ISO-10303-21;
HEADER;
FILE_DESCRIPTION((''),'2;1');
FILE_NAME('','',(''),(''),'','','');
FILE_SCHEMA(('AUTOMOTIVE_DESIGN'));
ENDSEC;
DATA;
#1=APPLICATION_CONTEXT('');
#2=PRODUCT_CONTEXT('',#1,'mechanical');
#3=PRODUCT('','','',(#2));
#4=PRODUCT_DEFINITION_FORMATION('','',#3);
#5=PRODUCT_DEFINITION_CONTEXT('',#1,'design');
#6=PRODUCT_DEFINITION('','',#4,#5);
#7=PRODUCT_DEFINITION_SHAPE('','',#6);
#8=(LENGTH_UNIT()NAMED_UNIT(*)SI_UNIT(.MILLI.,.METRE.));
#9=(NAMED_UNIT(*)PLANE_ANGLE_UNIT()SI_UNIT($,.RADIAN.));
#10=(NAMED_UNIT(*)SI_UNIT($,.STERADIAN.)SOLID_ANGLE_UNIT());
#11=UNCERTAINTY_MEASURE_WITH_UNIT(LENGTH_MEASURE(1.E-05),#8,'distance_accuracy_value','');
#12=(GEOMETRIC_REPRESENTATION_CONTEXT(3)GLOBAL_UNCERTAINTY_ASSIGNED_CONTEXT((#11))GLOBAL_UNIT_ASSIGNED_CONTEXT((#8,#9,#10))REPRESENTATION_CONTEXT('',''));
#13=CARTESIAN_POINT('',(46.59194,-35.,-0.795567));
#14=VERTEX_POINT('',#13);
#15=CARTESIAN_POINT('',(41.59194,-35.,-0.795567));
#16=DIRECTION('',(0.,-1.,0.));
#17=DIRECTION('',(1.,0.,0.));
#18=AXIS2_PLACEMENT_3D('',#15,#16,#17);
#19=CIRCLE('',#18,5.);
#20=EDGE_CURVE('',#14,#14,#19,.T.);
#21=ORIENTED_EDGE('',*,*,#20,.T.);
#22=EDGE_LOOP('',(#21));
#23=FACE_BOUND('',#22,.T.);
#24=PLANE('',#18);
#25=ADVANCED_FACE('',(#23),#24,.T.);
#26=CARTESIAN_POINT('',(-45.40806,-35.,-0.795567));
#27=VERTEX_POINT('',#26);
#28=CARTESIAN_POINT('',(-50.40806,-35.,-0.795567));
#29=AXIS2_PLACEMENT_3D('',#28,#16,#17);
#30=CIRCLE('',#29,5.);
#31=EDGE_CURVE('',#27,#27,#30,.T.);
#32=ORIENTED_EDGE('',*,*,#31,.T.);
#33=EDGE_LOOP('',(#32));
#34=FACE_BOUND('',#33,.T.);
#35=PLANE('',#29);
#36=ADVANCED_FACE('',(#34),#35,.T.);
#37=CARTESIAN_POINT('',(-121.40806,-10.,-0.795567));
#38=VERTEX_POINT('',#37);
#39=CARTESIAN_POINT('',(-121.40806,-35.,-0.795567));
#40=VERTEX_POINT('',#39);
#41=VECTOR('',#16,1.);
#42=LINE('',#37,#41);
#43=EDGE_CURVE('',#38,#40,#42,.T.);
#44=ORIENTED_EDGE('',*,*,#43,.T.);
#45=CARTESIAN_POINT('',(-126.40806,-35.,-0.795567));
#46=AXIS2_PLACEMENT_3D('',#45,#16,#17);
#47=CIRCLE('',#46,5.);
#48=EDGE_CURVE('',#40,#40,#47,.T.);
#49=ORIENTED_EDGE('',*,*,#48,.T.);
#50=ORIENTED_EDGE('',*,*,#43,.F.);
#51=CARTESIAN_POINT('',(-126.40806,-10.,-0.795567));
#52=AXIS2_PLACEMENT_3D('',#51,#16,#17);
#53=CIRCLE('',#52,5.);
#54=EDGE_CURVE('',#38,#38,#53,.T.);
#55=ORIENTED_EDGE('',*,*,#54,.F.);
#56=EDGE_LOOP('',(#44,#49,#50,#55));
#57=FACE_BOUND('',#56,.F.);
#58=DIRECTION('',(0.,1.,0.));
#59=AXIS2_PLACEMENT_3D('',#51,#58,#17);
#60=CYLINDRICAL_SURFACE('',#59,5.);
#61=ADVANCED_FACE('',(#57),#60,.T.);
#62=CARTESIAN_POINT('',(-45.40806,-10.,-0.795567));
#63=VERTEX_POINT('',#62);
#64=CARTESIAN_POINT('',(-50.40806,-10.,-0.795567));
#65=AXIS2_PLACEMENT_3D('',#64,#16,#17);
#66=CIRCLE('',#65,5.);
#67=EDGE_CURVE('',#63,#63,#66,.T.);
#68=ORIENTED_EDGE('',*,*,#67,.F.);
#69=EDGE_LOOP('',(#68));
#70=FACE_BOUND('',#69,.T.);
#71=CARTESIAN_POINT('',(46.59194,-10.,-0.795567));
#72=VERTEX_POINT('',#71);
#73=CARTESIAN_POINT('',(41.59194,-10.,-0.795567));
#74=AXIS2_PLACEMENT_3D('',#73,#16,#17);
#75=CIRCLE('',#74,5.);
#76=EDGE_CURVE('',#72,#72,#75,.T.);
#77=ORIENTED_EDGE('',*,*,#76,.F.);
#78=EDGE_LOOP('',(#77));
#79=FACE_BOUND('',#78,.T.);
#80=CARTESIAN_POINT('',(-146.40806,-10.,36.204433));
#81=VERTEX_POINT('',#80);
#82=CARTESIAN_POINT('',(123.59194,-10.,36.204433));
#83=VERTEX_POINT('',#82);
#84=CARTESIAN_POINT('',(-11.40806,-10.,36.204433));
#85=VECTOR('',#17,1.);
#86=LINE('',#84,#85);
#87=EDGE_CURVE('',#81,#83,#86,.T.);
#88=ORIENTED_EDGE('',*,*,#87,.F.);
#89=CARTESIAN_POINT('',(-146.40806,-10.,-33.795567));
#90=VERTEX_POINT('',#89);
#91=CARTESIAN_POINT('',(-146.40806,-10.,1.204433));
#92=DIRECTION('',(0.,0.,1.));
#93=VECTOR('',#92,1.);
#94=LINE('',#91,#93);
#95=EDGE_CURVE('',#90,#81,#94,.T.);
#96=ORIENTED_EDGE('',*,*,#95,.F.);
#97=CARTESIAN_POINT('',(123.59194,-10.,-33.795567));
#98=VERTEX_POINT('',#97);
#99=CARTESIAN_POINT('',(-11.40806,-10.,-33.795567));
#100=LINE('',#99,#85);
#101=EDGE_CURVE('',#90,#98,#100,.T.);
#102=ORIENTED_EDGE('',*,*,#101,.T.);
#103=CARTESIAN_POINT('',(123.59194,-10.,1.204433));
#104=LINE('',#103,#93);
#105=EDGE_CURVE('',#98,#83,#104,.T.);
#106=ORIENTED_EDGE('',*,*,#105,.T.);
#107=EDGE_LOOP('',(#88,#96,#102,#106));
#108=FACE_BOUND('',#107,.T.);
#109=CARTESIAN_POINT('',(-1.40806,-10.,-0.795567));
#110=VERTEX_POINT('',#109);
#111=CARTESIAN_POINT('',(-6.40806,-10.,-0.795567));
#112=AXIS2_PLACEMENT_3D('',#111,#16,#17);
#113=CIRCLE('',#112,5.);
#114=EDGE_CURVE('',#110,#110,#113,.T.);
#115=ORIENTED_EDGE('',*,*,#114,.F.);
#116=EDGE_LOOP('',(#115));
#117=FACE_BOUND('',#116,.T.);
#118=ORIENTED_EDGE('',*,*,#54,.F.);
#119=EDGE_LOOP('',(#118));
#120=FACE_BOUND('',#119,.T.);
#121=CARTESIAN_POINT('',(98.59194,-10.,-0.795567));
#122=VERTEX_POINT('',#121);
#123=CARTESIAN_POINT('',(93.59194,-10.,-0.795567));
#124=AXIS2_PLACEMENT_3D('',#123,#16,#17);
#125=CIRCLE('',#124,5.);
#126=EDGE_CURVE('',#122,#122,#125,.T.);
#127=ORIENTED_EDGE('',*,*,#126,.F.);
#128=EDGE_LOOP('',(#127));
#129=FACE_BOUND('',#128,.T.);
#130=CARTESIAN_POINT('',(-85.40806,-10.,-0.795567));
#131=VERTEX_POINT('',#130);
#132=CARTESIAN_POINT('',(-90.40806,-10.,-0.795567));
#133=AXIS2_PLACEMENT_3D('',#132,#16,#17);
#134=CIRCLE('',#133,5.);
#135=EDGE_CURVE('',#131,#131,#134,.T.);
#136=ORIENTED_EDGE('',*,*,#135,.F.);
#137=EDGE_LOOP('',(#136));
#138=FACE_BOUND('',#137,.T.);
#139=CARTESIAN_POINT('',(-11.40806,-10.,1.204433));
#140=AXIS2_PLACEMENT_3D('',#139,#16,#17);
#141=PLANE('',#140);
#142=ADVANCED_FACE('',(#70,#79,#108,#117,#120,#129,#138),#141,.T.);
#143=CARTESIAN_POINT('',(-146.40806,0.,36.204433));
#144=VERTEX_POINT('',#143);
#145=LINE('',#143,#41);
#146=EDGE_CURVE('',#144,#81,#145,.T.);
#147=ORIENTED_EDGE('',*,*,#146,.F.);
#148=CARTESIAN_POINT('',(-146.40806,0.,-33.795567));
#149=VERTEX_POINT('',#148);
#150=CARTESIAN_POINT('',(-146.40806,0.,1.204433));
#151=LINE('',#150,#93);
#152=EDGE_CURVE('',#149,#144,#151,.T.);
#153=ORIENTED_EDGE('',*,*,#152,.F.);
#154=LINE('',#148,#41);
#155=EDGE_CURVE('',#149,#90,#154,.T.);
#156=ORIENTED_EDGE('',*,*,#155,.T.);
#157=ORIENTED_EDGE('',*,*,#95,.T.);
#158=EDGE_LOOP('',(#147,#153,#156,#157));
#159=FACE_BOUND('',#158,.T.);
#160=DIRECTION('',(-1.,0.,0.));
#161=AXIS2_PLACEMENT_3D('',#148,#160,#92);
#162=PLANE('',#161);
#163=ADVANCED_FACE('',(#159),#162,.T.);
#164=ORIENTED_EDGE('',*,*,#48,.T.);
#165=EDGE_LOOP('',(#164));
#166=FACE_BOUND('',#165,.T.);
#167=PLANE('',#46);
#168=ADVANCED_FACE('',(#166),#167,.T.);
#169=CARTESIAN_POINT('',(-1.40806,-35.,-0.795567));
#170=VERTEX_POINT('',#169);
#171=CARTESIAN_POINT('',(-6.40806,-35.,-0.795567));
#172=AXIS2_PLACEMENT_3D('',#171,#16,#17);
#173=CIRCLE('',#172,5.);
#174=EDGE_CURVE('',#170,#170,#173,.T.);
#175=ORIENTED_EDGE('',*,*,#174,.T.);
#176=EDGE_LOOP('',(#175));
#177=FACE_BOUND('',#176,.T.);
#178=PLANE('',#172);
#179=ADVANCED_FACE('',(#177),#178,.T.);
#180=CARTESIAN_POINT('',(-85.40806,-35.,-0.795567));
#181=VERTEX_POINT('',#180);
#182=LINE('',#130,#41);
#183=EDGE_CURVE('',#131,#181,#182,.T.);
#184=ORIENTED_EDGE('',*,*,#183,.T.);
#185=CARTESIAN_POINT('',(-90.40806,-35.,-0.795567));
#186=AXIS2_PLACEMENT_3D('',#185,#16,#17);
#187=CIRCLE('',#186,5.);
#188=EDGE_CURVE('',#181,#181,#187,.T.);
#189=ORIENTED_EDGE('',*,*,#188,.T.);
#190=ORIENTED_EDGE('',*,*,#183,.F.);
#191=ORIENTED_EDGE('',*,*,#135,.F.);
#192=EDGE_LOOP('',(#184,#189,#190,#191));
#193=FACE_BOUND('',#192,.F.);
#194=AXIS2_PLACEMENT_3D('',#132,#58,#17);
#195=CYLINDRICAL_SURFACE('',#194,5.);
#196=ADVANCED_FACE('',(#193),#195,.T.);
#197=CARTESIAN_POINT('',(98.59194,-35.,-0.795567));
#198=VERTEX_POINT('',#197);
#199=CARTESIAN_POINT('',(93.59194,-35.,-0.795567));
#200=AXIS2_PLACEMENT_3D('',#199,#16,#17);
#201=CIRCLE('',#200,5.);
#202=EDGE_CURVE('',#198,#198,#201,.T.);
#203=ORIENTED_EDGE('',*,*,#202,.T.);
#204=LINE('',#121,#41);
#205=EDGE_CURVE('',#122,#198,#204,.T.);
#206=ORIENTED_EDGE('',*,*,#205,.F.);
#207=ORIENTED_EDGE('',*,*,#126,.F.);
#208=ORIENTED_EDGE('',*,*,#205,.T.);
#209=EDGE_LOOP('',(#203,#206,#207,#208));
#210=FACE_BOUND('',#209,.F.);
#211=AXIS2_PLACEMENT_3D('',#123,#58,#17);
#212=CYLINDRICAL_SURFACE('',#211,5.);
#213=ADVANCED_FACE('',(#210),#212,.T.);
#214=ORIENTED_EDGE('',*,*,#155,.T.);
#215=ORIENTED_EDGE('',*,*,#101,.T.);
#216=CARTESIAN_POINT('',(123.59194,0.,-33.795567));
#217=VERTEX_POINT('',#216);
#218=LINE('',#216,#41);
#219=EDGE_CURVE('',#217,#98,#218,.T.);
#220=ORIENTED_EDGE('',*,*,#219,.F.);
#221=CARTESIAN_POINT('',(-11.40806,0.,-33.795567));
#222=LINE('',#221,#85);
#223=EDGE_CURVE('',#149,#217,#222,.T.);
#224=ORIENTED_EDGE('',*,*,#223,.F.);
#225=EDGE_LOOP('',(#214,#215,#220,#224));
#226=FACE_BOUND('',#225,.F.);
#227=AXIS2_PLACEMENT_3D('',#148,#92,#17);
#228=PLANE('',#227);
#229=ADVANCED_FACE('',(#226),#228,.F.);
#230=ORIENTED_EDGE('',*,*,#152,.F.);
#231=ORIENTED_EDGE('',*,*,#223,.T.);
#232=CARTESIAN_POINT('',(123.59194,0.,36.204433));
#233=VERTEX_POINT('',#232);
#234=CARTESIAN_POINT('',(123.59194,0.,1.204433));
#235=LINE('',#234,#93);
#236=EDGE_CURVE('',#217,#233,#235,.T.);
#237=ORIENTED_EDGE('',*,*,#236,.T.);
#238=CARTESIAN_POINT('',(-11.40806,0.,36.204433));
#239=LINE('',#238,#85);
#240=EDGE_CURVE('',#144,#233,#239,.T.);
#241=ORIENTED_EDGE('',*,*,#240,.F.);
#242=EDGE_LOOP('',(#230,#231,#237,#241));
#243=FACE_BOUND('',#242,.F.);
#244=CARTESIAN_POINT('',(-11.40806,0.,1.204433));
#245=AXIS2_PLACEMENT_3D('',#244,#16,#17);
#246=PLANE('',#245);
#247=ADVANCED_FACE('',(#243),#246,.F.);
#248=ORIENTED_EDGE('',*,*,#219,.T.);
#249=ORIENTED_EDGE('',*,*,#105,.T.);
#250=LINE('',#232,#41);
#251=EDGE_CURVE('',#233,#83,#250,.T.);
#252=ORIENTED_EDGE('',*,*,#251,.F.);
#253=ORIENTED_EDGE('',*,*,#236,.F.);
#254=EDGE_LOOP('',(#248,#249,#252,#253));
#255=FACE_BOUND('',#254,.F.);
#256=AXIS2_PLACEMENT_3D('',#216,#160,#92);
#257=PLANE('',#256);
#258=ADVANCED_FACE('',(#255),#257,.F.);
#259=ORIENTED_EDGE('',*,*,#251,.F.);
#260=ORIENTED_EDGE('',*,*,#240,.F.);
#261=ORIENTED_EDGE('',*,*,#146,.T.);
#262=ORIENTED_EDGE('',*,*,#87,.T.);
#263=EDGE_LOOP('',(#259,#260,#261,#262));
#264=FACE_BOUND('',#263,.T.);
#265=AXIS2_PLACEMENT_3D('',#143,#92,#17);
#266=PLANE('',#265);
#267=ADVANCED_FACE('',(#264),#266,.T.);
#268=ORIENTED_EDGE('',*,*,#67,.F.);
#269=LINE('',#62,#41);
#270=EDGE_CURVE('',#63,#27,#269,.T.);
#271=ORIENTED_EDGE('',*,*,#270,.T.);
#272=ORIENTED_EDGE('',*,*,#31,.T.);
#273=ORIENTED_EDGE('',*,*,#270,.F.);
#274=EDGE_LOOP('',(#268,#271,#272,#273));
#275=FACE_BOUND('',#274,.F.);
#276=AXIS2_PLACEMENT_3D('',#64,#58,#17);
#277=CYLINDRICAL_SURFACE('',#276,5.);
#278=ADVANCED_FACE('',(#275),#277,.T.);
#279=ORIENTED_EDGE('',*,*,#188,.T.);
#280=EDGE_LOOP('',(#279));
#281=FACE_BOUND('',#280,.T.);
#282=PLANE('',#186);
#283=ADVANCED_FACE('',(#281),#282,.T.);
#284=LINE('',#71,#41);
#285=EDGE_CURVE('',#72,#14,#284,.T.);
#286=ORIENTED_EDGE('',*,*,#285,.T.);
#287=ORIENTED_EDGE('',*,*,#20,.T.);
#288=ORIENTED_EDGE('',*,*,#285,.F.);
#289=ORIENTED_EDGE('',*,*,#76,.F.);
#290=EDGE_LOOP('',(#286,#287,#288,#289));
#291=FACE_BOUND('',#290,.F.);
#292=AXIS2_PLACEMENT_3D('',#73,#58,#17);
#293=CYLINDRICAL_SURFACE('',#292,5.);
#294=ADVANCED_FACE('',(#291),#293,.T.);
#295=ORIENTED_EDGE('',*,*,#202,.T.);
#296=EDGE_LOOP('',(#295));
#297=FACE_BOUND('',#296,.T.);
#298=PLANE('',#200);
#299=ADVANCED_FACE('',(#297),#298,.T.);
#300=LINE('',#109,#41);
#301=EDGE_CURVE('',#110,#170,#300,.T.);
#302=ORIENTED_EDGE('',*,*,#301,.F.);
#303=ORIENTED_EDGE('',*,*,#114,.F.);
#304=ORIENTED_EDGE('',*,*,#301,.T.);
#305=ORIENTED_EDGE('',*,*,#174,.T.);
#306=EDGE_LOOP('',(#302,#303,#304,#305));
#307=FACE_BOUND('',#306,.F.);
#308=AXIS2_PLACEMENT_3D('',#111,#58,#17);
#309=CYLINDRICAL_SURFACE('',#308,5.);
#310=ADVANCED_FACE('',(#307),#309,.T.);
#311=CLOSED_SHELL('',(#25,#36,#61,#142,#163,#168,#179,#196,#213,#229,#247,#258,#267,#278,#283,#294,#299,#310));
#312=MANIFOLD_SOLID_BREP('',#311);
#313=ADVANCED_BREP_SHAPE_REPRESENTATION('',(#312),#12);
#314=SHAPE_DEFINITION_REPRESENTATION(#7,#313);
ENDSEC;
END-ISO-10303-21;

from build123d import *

# Parameters (mm, degrees)
F0_W     = 270
F0_H     = 70
F0_R     = 5
F1_DEPTH = 10
F2_R     = 5
F3_DEPTH = 25


with BuildPart() as f1:
    # F0 (on Front) → F1 (new body)
    with BuildSketch(Plane.XZ):
        with Locations((-11.40806, 1.204433)):
            Rectangle(F0_W, F0_H)
        with Locations((-126.40806, 0)):
            Circle(F0_R, mode=Mode.SUBTRACT)
        with Locations((-90.40806, 0)):
            Circle(F0_R, mode=Mode.SUBTRACT)
        with Locations((-50.40806, 0)):
            Circle(F0_R, mode=Mode.SUBTRACT)
        with Locations((-6.40806, 0)):
            Circle(F0_R, mode=Mode.SUBTRACT)
        with Locations((41.59194, 0)):
            Circle(F0_R, mode=Mode.SUBTRACT)
        with Locations((93.59194, 0)):
            Circle(F0_R, mode=Mode.SUBTRACT)
        with Locations((93.59194, 0)):
            Circle(F0_R)
        with Locations((41.59194, 0)):
            Circle(F0_R)
        with Locations((-6.40806, 0)):
            Circle(F0_R)
        with Locations((-50.40806, 0)):
            Circle(F0_R)
        with Locations((-90.40806, 0)):
            Circle(F0_R)
        with Locations((-126.40806, 0)):
            Circle(F0_R)
    extrude(amount=F1_DEPTH)

    # F2 (on face) → F3 (join)
    with BuildSketch(Plane.XZ.offset(10)):
        with Locations((-126.40806, -0.795567)):
            Circle(F2_R)
        with Locations((-90.40806, -0.795567)):
            Circle(F2_R)
        with Locations((-50.40806, -0.795567)):
            Circle(F2_R)
        with Locations((41.59194, -0.795567)):
            Circle(F2_R)
        with Locations((93.59194, -0.795567)):
            Circle(F2_R)
        with Locations((-6.40806, -0.795567)):
            Circle(F2_R)
    extrude(amount=F3_DEPTH)


solid = f1.part
